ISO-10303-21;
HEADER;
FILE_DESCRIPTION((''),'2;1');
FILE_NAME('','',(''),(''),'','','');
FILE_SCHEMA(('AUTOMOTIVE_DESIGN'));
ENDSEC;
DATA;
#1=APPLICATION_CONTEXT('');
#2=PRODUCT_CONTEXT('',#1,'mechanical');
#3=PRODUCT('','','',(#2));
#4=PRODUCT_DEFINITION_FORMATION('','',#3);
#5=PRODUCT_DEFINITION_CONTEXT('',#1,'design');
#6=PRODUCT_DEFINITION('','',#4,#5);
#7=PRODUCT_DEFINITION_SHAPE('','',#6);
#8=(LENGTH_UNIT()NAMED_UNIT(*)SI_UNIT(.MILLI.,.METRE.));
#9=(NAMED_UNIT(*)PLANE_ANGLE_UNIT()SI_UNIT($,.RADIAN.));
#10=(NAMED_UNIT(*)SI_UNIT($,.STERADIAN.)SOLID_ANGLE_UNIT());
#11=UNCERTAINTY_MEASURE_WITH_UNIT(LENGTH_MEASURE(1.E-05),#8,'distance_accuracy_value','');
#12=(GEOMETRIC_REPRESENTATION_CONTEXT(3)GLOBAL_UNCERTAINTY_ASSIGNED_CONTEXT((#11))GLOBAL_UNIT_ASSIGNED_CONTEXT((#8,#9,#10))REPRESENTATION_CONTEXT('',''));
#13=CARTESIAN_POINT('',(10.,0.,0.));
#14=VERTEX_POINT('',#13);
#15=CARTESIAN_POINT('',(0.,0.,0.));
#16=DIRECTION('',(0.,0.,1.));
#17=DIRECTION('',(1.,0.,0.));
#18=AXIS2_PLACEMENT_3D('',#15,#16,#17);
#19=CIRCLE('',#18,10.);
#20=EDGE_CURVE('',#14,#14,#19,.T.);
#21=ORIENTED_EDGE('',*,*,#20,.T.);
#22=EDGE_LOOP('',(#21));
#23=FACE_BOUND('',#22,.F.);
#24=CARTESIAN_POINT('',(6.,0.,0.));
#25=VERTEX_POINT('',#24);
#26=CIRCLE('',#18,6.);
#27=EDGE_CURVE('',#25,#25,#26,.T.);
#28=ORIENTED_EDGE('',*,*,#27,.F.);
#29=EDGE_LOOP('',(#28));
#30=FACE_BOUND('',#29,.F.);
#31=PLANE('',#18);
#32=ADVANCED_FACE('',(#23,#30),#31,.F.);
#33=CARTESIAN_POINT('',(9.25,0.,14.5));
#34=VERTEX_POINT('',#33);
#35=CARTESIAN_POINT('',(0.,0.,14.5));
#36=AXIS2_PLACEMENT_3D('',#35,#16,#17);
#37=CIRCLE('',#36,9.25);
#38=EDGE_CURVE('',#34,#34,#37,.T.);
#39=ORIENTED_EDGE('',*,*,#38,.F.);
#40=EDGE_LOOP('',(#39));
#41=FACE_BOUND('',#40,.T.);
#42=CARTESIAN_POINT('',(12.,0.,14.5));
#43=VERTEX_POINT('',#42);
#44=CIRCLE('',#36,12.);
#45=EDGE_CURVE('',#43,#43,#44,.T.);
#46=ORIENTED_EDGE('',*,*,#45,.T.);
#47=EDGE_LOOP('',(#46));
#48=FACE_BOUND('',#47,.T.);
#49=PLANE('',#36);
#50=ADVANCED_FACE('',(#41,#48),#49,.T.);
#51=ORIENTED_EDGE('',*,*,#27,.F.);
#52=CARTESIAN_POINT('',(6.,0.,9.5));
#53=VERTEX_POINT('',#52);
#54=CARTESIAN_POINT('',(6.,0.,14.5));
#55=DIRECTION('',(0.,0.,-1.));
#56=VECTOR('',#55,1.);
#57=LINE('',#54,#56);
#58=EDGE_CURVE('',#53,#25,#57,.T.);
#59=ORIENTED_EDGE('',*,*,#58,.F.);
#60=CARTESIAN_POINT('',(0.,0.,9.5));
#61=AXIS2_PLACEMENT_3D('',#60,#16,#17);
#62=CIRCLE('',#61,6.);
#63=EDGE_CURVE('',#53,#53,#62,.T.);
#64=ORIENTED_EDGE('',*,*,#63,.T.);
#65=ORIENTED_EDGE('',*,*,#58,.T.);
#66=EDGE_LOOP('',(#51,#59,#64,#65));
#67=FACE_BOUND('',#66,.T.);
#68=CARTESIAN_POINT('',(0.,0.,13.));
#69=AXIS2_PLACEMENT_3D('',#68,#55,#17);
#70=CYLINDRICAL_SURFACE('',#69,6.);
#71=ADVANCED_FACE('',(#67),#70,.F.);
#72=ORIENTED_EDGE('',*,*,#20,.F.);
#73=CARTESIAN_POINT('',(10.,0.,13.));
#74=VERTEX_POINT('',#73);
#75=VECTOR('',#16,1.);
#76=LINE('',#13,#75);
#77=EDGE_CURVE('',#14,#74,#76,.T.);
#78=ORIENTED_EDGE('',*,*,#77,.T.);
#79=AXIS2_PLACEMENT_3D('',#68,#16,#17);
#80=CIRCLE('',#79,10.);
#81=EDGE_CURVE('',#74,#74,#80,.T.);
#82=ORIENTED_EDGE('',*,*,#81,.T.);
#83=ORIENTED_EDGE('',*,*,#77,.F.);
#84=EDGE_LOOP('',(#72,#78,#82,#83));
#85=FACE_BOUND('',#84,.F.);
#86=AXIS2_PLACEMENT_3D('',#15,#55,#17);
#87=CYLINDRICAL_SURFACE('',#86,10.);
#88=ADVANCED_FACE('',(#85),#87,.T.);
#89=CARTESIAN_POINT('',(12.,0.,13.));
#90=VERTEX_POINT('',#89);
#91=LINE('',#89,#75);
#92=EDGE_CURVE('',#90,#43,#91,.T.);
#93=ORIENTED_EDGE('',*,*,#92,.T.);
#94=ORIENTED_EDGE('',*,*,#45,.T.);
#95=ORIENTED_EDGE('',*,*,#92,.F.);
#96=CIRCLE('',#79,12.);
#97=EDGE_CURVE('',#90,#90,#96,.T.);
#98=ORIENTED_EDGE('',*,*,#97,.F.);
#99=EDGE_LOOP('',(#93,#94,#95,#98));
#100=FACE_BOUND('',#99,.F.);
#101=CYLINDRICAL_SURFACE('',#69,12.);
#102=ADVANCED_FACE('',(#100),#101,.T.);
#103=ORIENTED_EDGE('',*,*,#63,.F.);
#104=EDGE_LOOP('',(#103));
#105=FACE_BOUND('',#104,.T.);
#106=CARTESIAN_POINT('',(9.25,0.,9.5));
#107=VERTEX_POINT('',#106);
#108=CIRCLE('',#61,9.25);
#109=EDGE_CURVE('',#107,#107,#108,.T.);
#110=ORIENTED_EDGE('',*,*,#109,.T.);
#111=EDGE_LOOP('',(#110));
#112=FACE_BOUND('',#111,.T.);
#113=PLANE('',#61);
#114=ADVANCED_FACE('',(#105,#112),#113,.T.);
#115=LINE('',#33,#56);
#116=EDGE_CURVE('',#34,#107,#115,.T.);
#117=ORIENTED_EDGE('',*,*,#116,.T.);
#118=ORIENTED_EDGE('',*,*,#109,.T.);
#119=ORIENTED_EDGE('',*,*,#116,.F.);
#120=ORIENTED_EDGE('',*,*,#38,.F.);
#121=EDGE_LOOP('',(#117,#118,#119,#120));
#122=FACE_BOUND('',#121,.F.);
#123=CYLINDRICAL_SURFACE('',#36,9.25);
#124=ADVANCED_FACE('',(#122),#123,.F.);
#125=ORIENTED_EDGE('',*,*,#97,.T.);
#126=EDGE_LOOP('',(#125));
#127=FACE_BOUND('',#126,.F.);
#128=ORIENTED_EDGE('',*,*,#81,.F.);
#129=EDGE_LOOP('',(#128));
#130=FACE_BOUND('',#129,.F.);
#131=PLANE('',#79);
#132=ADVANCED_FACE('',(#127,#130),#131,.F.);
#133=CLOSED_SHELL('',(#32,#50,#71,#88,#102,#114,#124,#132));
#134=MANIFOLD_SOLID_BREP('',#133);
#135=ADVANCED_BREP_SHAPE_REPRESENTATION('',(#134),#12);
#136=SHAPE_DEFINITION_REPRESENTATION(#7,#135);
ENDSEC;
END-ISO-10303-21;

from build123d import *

# Parameters (mm, degrees)
F0_R     = 10
F0_R_2   = 6
F1_DEPTH = 13
F2_R     = 12
F2_R_2   = 6
F3_DEPTH = 1.5
F4_R     = 9.25
F4_R_2   = 6
F5_DEPTH = 5


with BuildPart() as f1:
    # F0 (on Top) → F1 (new body)
    with BuildSketch(Plane.XY):
        Circle(F0_R)
        Circle(F0_R_2, mode=Mode.SUBTRACT)
    extrude(amount=F1_DEPTH)

    # F2 (on face) → F3 (join)
    with BuildSketch(Plane.XY.offset(13)):
        Circle(F2_R)
        Circle(F2_R_2, mode=Mode.SUBTRACT)
    extrude(amount=F3_DEPTH)

    # F4 (on face) → F5 (cut)
    with BuildSketch(Plane.XY.offset(14.5)):
        Circle(F4_R)
        Circle(F4_R_2, mode=Mode.SUBTRACT)
    extrude(amount=-F5_DEPTH, mode=Mode.SUBTRACT)


solid = f1.part
